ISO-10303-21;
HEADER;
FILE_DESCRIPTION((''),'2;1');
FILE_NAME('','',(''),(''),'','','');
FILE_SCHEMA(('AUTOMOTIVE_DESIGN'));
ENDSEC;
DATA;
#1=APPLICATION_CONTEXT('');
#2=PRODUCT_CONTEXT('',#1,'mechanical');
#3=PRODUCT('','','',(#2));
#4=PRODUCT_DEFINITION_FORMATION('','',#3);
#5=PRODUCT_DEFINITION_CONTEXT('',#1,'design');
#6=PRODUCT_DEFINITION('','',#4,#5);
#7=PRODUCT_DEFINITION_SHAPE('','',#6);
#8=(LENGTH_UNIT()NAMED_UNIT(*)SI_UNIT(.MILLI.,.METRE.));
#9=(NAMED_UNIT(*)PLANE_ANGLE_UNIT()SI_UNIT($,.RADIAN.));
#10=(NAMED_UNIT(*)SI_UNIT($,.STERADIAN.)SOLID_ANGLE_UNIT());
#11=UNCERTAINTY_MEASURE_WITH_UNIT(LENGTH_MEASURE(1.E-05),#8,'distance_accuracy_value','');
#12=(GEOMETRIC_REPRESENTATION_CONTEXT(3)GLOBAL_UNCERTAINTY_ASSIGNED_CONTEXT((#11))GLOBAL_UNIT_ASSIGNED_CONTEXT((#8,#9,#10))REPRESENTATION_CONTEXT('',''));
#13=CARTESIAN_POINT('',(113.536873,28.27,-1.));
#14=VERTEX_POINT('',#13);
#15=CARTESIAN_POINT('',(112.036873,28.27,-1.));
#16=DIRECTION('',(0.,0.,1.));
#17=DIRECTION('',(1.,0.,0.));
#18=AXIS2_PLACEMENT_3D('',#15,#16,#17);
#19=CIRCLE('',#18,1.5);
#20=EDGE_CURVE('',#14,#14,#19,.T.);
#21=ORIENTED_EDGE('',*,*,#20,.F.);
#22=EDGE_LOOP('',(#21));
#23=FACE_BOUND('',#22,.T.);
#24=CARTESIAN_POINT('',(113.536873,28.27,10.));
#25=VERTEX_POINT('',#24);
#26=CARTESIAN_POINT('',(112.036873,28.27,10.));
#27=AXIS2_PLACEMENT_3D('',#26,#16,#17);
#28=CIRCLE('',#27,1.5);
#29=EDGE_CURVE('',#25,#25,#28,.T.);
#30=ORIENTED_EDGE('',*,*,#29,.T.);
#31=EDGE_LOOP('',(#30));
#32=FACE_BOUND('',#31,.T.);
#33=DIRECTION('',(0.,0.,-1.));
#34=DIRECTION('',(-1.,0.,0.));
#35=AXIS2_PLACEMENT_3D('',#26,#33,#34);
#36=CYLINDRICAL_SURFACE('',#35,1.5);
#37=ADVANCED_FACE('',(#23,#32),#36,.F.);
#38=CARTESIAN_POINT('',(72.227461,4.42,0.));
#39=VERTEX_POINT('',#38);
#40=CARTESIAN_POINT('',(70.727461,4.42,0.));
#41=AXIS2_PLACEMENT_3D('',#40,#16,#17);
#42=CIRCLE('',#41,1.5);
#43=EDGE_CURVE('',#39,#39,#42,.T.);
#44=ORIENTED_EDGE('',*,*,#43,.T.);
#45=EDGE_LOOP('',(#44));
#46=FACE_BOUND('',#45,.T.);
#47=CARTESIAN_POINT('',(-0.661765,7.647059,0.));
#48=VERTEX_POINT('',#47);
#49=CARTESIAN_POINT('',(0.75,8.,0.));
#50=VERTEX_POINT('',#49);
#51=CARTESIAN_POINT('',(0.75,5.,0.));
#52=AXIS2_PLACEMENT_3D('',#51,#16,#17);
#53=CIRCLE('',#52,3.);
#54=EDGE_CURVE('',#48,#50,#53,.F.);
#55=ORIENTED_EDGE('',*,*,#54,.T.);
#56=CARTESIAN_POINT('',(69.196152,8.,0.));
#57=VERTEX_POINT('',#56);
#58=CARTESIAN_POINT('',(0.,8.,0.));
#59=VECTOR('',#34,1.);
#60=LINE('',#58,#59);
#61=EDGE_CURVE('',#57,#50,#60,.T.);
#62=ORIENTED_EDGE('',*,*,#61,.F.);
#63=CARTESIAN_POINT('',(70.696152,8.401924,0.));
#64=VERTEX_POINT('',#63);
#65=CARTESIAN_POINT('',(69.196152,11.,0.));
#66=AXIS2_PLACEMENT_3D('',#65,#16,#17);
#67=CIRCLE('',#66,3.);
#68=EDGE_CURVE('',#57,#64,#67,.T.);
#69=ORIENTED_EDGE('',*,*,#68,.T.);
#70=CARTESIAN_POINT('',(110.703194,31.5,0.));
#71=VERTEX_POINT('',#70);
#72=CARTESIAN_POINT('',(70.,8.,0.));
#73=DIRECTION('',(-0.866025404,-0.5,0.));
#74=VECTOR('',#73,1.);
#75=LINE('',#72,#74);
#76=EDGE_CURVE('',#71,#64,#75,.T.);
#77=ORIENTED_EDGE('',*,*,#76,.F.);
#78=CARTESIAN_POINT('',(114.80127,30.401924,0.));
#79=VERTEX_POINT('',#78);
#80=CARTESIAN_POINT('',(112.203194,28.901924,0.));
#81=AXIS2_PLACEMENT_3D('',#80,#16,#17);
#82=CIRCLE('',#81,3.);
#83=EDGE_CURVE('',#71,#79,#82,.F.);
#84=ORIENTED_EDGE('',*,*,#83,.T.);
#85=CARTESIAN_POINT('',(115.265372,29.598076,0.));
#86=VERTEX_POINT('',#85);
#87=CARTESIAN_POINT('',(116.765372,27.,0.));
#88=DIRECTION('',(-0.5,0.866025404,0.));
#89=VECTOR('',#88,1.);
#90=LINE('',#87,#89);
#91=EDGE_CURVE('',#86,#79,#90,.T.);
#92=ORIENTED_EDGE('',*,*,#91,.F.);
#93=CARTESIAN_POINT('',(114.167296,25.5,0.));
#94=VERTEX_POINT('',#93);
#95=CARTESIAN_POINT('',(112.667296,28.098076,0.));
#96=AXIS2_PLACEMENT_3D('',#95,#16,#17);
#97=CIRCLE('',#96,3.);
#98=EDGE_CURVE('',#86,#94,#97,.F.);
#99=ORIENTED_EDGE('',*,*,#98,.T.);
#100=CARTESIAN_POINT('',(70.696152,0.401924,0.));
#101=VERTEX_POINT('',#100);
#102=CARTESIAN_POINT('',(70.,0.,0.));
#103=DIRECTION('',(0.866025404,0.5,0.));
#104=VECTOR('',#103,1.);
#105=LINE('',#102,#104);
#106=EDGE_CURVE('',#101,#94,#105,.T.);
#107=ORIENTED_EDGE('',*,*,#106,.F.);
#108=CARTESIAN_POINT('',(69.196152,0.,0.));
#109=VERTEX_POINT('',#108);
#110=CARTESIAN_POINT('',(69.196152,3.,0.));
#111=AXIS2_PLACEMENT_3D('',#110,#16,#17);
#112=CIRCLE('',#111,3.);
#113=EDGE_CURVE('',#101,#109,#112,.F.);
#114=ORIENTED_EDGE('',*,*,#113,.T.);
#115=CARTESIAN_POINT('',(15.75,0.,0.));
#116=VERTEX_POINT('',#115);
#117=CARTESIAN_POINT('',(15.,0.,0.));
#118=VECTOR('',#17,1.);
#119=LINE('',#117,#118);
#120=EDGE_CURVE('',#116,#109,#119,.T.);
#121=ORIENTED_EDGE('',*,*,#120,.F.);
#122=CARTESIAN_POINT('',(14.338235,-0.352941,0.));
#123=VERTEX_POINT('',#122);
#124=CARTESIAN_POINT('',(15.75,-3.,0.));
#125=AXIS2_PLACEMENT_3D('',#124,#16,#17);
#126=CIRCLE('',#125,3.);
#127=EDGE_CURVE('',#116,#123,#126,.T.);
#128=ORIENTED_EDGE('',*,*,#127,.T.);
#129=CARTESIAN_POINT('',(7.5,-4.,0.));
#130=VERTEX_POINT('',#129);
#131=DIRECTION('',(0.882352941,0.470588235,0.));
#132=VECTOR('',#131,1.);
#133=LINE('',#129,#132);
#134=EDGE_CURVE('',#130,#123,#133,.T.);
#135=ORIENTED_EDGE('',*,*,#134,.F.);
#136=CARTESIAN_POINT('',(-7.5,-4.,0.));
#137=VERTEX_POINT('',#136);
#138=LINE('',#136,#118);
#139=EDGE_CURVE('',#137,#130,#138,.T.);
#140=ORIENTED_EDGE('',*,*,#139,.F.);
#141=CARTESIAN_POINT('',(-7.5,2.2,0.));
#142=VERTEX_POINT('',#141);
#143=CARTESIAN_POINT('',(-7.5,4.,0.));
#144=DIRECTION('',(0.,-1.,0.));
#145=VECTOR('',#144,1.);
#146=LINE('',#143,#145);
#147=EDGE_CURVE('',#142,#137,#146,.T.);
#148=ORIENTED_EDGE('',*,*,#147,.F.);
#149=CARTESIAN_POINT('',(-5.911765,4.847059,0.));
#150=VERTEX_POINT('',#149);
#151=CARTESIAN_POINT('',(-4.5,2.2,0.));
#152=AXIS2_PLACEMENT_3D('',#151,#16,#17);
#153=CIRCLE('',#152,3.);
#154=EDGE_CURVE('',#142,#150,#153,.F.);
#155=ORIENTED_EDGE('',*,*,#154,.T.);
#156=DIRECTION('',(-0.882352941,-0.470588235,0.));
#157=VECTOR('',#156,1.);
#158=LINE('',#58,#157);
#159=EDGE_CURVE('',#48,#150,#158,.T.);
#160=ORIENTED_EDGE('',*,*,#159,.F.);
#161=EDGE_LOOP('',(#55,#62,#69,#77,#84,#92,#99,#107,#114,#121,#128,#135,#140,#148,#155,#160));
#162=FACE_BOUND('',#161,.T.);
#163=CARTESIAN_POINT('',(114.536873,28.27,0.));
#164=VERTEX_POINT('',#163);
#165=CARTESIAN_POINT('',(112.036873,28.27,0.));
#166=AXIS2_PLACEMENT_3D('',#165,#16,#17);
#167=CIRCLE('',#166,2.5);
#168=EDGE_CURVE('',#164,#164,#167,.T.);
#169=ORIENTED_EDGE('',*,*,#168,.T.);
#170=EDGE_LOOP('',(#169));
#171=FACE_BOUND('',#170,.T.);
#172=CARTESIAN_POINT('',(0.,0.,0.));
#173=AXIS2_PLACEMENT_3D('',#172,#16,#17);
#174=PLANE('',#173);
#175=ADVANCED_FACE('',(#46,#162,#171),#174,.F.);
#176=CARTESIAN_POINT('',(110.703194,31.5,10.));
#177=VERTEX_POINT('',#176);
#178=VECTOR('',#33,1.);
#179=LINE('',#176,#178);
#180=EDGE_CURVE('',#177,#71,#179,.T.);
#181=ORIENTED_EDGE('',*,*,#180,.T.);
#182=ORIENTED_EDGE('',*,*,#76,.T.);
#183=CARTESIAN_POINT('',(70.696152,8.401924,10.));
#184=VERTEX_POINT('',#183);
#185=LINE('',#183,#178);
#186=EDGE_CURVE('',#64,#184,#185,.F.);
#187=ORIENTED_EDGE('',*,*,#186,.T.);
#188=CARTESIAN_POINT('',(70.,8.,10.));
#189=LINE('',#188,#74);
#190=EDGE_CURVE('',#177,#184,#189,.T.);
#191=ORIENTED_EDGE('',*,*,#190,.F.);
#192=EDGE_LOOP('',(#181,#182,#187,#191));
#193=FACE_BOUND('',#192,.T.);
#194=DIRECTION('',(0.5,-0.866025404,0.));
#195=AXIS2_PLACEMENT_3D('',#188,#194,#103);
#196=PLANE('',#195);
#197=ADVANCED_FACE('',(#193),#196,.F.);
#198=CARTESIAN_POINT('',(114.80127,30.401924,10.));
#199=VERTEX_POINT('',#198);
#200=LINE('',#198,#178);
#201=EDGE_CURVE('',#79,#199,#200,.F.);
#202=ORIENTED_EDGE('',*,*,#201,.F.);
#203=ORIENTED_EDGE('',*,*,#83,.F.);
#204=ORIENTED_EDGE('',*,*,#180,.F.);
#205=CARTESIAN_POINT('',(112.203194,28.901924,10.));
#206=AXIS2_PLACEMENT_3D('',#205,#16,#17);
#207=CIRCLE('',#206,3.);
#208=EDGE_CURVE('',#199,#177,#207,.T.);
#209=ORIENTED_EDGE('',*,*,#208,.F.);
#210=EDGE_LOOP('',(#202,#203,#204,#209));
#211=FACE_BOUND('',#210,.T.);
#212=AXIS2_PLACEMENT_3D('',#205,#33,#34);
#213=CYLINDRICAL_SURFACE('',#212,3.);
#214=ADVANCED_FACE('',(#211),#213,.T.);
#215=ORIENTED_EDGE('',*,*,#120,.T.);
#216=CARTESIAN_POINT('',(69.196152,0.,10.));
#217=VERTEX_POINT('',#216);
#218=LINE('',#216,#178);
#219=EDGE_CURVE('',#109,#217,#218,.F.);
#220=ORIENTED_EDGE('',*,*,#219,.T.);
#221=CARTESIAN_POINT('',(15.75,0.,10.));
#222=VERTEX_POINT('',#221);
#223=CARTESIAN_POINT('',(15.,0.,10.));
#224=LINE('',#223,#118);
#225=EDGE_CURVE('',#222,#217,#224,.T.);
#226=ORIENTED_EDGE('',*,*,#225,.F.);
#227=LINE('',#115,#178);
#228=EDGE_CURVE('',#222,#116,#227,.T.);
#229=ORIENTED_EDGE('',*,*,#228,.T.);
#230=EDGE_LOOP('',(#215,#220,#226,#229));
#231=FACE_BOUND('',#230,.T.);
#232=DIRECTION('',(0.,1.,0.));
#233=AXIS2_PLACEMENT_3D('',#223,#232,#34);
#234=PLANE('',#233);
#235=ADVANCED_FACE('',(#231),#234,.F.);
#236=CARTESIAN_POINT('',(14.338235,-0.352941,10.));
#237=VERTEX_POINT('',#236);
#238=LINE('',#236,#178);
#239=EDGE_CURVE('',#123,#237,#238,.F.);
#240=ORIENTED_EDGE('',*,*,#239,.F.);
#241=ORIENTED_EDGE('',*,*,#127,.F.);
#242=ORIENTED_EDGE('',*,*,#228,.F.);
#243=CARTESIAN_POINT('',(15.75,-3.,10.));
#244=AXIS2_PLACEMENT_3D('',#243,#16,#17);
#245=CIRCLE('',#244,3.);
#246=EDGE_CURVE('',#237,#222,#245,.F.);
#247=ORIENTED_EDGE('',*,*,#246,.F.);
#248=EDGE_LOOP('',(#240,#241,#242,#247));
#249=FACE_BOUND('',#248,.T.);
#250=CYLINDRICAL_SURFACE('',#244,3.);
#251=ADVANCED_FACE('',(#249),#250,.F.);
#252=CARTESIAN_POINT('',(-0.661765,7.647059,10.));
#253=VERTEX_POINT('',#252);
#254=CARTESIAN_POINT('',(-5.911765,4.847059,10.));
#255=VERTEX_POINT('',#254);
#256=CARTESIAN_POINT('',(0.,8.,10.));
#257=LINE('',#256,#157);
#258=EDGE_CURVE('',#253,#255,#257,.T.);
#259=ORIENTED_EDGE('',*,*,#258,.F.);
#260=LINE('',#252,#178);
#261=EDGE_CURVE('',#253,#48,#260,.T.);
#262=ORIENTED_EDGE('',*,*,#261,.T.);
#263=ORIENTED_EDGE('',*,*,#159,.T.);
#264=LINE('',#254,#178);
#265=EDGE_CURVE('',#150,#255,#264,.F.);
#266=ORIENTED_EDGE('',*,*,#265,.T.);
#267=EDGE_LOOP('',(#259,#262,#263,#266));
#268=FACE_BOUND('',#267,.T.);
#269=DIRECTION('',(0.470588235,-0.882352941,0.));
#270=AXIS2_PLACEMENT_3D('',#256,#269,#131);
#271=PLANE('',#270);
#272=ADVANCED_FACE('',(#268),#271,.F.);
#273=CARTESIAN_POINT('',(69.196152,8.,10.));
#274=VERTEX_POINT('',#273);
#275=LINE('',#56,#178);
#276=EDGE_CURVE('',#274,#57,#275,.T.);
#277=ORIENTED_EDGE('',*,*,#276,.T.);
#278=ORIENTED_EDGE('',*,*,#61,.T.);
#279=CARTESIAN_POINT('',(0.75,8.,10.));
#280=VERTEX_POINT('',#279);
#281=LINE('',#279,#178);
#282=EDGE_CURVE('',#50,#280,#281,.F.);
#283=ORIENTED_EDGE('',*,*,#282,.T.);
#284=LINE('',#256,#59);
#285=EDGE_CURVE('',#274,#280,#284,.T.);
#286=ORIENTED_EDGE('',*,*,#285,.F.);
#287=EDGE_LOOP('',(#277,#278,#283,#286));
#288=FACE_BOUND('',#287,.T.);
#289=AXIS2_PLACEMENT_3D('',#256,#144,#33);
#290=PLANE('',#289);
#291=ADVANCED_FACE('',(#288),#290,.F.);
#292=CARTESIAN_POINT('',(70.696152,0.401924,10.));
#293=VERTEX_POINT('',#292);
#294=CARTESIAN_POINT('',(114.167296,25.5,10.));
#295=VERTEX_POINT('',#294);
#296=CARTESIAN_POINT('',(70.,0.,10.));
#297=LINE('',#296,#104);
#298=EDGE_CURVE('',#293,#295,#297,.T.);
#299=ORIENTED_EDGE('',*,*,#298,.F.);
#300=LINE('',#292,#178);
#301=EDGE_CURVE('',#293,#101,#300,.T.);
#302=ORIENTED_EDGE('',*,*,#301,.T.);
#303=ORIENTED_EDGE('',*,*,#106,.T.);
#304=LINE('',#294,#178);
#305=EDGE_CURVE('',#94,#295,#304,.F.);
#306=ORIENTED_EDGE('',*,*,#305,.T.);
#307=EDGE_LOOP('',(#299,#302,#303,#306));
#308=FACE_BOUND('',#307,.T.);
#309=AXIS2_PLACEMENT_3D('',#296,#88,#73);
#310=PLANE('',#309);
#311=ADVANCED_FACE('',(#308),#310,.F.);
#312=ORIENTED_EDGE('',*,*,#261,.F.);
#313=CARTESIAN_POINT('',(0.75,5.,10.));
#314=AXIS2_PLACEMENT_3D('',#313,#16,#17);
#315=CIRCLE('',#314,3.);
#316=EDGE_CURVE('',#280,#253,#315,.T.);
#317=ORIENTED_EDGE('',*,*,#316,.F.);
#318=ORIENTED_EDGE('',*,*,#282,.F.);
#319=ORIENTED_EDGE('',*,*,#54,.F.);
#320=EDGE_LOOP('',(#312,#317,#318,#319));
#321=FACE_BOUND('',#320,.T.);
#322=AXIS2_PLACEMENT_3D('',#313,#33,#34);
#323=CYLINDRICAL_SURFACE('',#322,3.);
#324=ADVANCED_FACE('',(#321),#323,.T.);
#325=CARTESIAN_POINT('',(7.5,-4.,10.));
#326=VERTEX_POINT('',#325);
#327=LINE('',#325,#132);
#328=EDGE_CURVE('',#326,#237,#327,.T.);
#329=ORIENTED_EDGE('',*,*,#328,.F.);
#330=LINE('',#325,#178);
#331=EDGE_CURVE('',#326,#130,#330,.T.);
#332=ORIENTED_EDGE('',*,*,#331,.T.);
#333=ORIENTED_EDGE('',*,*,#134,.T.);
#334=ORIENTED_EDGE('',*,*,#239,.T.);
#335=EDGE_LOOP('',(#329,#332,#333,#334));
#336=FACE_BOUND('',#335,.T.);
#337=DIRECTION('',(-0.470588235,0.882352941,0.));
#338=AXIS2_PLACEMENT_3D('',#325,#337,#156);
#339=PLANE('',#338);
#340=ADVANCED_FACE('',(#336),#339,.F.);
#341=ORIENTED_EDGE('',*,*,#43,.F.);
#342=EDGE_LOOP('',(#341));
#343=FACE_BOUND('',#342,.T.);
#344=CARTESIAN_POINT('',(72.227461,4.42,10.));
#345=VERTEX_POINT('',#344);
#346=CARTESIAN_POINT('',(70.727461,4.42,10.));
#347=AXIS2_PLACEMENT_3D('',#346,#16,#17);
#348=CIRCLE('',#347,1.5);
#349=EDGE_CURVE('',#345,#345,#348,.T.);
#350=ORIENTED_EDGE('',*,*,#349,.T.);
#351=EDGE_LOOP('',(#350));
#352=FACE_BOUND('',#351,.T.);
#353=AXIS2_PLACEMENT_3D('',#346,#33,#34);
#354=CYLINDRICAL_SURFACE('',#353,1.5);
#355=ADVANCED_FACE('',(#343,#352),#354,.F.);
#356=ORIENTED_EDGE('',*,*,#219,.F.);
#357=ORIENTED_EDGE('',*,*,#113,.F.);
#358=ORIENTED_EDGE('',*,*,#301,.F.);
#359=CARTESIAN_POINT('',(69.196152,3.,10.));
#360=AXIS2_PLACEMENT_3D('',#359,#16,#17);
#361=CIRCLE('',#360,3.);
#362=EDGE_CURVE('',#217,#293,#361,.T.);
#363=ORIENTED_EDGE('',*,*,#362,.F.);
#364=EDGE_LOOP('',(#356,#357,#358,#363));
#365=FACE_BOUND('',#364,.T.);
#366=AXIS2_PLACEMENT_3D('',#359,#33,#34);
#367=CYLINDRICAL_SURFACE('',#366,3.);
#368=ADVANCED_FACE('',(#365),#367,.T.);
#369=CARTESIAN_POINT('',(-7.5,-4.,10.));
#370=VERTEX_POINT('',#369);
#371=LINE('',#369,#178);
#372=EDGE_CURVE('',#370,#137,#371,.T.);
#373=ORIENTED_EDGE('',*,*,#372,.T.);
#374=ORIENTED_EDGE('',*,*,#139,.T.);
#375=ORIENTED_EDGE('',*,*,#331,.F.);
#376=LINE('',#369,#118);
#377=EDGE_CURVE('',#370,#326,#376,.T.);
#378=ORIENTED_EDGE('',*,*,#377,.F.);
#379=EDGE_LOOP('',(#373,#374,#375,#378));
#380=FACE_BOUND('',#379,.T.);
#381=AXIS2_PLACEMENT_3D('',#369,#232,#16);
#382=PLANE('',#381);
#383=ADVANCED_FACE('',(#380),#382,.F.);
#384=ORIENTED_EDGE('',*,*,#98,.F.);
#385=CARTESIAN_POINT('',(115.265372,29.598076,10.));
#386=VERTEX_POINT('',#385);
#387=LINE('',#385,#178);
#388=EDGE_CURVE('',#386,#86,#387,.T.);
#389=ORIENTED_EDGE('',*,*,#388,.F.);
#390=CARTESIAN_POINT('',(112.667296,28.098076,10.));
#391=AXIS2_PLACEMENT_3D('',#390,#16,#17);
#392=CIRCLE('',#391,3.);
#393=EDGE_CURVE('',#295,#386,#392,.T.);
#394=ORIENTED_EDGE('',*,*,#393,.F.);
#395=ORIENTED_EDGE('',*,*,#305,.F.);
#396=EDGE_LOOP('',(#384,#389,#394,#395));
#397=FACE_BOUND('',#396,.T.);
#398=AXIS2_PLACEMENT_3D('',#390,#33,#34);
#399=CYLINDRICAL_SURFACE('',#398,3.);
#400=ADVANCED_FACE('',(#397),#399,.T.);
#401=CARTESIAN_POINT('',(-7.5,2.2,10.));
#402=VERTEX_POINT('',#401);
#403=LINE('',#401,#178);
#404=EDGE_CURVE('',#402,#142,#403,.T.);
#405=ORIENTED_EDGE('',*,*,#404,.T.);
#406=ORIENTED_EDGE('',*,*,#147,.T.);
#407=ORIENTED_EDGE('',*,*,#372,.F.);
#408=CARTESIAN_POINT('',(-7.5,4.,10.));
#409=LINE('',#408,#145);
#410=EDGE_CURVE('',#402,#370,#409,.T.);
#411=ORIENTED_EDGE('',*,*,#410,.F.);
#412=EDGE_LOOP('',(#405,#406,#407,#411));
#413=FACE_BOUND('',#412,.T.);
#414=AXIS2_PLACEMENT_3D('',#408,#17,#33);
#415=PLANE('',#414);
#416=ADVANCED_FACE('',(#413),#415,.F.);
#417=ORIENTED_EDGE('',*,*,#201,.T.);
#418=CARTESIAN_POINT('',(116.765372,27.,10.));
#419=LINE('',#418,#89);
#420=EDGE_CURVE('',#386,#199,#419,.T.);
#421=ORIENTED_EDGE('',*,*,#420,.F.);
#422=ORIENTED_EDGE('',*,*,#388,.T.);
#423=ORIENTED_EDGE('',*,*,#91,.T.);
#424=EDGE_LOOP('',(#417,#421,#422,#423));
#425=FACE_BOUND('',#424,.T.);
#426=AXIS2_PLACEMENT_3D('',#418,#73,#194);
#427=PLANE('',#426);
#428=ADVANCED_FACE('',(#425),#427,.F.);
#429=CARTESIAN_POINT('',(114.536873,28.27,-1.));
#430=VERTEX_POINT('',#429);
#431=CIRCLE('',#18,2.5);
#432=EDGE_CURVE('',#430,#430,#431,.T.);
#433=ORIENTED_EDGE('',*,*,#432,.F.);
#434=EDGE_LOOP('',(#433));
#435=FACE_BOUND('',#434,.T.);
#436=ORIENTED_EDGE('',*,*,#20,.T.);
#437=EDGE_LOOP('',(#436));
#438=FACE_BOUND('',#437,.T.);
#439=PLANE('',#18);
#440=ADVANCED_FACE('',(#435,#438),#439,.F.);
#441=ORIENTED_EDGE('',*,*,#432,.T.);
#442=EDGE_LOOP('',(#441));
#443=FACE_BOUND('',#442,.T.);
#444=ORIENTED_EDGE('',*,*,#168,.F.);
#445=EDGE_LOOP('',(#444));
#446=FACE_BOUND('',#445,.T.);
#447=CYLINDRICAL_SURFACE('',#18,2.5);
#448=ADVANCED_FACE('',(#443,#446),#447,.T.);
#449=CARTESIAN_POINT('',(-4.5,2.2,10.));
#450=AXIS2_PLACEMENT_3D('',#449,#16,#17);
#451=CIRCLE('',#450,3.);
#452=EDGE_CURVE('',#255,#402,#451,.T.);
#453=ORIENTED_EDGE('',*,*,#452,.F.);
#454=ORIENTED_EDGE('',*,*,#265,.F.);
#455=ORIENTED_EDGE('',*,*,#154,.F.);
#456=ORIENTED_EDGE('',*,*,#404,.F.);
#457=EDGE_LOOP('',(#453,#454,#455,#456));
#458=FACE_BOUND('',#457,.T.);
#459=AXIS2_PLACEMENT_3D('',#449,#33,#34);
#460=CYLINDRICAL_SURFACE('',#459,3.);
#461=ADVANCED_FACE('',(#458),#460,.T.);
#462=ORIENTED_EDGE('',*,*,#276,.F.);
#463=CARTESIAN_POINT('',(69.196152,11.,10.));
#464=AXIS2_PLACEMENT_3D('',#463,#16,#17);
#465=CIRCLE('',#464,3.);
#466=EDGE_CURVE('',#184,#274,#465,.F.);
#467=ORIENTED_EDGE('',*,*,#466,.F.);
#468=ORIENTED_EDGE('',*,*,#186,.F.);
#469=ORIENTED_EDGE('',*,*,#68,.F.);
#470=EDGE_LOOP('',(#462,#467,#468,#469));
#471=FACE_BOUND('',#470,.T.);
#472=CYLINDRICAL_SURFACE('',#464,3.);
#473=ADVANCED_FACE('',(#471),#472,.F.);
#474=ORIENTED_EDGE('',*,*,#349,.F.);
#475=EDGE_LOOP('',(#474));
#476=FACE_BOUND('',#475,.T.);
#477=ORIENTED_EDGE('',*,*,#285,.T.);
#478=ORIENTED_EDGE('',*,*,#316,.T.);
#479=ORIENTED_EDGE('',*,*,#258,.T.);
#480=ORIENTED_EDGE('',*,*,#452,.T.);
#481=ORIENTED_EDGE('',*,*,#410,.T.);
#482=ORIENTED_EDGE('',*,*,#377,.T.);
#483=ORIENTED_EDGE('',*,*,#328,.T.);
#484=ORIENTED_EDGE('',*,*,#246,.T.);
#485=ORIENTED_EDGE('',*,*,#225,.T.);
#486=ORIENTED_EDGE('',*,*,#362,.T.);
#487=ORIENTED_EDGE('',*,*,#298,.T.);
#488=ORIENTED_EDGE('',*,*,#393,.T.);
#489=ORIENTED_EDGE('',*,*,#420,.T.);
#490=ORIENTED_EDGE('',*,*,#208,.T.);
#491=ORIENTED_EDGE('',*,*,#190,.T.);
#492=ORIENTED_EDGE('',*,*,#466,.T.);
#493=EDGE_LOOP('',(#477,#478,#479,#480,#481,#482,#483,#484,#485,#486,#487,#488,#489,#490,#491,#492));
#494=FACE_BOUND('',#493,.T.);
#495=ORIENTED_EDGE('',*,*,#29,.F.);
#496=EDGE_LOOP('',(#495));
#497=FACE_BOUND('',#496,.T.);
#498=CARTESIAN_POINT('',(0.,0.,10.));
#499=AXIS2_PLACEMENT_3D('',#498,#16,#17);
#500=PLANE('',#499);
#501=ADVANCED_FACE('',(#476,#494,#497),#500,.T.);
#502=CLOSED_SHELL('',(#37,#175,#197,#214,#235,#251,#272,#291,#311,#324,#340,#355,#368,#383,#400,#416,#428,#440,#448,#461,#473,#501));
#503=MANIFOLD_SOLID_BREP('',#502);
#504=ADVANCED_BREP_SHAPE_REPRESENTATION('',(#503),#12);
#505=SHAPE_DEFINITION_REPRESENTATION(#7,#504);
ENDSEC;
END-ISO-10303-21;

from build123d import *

# Parameters (mm, degrees)
SKETCH_1_R      = 1.5
EXTRUDE_1_DEPTH = 10
FILLET_1_R      = 3
EXTRUDE_START   = -11
SKETCH_2_R      = 2.5
SKETCH_2_R_2    = 1.5
EXTRUDE_2_DEPTH = 11


with BuildPart() as part:
    # 草图1 → 凸台-拉伸1 (new body)
    with BuildSketch(Plane.XY):
        Polygon((-7.5, 4), (-7.5, -4), (7.5, -4), (15, 0), (70, 0), (116.765371804, 27), (113.301270189, 33), (70, 8), (0, 8), align=None)
        with Locations((112.0368731, 28.27)):
            Circle(SKETCH_1_R, mode=Mode.SUBTRACT)
        with Locations((70.727461339, 4.42)):
            Circle(SKETCH_1_R, mode=Mode.SUBTRACT)
    extrude(amount=EXTRUDE_1_DEPTH)

    # 圆角1
    fillet_1_edges = [part.edges().sort_by_distance(p)[0] for p in [
        (-7.5, 4, 5),
        (0, 8, 5),
        (70, 8, 5),
        (113.301270189, 33, 5),
        (116.765371804, 27, 5),
        (70, 0, 5),
        (15, 0, 5),
    ]]
    fillet(fillet_1_edges, radius=FILLET_1_R)

    # 草图2 → 凸台-拉伸2 (add)
    with BuildSketch(Plane.XY.offset(10).offset(EXTRUDE_START)):
        with Locations((112.0368731, 28.27)):
            Circle(SKETCH_2_R)
        with Locations((112.0368731, 28.27)):
            Circle(SKETCH_2_R_2, mode=Mode.SUBTRACT)
    extrude(amount=EXTRUDE_2_DEPTH)


solid = part.part
